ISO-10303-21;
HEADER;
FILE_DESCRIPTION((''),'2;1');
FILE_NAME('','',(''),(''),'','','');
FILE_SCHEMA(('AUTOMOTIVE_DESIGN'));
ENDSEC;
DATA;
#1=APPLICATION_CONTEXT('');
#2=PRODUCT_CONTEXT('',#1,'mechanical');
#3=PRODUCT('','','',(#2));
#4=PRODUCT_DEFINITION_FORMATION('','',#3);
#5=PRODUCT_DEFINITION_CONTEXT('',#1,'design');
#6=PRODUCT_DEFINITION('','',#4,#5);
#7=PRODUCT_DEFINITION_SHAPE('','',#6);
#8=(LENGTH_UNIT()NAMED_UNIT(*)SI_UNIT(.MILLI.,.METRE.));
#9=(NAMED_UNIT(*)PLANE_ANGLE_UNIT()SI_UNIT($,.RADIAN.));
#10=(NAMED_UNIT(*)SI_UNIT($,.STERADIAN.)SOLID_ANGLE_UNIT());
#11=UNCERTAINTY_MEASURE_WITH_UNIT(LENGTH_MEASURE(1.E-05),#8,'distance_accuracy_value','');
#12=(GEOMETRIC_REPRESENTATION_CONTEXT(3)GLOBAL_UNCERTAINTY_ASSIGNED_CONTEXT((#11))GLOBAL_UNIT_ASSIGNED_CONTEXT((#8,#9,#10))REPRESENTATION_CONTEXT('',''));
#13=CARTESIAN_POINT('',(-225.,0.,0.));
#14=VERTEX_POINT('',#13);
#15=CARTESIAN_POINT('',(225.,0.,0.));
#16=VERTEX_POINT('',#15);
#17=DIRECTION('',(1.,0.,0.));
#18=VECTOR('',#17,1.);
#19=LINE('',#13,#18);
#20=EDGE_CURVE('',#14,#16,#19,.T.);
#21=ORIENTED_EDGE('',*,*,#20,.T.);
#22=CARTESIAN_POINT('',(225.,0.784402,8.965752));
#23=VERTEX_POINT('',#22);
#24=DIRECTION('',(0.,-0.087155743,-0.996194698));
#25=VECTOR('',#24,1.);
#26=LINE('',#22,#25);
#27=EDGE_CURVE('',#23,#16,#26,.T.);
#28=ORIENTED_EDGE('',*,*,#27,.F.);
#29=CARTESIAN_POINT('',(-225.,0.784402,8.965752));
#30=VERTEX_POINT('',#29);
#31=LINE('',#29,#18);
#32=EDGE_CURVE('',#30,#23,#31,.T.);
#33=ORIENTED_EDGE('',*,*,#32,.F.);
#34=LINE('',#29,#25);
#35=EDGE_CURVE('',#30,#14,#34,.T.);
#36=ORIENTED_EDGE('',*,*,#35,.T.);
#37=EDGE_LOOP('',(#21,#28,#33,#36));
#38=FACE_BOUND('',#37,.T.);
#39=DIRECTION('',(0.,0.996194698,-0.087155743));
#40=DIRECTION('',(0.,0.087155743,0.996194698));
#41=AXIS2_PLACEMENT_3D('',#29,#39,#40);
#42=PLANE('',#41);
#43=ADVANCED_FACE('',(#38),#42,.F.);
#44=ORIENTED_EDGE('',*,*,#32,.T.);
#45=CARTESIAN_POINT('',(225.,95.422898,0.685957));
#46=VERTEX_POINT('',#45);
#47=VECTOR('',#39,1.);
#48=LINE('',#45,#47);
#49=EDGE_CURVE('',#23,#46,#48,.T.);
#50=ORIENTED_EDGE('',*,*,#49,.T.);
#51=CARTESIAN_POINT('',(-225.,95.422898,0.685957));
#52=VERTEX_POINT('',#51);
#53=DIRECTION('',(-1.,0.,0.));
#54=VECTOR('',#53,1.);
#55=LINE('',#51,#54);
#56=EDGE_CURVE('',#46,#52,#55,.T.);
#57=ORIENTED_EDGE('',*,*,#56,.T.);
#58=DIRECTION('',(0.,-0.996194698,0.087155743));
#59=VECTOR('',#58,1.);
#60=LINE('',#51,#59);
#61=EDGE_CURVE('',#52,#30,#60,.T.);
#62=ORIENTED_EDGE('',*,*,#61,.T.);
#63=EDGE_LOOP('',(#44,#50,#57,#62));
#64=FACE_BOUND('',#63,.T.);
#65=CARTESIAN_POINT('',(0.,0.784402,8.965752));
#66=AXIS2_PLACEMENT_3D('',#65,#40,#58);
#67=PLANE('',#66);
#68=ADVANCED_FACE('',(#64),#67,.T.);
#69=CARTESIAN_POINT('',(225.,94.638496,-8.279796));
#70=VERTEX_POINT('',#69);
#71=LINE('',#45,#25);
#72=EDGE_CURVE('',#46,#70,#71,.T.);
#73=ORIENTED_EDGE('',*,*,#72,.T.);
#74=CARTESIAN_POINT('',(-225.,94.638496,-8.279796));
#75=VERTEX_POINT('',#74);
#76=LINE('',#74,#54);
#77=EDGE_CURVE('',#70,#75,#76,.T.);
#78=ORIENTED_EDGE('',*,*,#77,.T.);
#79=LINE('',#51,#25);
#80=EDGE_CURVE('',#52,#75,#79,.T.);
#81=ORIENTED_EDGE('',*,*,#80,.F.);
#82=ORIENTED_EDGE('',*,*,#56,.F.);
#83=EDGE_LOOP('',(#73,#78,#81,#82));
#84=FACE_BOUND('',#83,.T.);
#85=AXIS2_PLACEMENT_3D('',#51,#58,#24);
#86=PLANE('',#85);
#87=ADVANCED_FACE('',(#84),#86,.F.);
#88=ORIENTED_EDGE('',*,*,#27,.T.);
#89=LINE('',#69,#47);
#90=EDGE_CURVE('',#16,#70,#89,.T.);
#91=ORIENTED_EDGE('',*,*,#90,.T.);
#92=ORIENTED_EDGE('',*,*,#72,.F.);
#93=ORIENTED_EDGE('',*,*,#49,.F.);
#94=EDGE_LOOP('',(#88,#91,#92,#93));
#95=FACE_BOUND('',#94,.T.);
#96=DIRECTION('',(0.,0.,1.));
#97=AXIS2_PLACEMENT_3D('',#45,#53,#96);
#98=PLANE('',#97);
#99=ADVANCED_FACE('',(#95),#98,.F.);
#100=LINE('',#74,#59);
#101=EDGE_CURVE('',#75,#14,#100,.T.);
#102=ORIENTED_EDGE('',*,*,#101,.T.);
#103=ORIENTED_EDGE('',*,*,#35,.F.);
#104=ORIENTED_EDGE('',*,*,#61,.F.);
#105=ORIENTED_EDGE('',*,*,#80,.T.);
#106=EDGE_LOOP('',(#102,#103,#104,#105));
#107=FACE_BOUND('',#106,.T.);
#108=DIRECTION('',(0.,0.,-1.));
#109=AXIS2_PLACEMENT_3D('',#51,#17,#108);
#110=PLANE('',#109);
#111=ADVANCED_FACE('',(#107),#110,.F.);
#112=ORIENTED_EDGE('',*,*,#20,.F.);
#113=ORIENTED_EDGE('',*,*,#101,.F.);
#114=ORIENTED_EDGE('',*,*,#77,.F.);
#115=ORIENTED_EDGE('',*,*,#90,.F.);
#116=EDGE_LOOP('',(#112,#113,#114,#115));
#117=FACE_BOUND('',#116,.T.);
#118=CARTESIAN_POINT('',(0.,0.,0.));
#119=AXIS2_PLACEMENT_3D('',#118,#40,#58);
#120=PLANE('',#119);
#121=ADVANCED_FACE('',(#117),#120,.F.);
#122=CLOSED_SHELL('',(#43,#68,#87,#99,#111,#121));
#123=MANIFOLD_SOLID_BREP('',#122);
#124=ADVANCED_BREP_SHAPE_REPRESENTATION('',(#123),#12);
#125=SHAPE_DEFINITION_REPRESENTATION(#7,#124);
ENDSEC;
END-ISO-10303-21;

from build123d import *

# Parameters (mm, degrees)
SKETCH1_W         = 450
SKETCH1_H         = 95
BASKET_WALL_DEPTH = 9


with BuildPart() as part:
    # Sketch1 → Basket Wall (new body)
    with BuildSketch(Plane(origin=(0, 0, 0), x_dir=(1, 0, 0), z_dir=(0, 0.08715574274765836, 0.9961946980917455))):
        with Locations((0, 47.5)):
            Rectangle(SKETCH1_W, SKETCH1_H)
    extrude(amount=BASKET_WALL_DEPTH)


solid = part.part
